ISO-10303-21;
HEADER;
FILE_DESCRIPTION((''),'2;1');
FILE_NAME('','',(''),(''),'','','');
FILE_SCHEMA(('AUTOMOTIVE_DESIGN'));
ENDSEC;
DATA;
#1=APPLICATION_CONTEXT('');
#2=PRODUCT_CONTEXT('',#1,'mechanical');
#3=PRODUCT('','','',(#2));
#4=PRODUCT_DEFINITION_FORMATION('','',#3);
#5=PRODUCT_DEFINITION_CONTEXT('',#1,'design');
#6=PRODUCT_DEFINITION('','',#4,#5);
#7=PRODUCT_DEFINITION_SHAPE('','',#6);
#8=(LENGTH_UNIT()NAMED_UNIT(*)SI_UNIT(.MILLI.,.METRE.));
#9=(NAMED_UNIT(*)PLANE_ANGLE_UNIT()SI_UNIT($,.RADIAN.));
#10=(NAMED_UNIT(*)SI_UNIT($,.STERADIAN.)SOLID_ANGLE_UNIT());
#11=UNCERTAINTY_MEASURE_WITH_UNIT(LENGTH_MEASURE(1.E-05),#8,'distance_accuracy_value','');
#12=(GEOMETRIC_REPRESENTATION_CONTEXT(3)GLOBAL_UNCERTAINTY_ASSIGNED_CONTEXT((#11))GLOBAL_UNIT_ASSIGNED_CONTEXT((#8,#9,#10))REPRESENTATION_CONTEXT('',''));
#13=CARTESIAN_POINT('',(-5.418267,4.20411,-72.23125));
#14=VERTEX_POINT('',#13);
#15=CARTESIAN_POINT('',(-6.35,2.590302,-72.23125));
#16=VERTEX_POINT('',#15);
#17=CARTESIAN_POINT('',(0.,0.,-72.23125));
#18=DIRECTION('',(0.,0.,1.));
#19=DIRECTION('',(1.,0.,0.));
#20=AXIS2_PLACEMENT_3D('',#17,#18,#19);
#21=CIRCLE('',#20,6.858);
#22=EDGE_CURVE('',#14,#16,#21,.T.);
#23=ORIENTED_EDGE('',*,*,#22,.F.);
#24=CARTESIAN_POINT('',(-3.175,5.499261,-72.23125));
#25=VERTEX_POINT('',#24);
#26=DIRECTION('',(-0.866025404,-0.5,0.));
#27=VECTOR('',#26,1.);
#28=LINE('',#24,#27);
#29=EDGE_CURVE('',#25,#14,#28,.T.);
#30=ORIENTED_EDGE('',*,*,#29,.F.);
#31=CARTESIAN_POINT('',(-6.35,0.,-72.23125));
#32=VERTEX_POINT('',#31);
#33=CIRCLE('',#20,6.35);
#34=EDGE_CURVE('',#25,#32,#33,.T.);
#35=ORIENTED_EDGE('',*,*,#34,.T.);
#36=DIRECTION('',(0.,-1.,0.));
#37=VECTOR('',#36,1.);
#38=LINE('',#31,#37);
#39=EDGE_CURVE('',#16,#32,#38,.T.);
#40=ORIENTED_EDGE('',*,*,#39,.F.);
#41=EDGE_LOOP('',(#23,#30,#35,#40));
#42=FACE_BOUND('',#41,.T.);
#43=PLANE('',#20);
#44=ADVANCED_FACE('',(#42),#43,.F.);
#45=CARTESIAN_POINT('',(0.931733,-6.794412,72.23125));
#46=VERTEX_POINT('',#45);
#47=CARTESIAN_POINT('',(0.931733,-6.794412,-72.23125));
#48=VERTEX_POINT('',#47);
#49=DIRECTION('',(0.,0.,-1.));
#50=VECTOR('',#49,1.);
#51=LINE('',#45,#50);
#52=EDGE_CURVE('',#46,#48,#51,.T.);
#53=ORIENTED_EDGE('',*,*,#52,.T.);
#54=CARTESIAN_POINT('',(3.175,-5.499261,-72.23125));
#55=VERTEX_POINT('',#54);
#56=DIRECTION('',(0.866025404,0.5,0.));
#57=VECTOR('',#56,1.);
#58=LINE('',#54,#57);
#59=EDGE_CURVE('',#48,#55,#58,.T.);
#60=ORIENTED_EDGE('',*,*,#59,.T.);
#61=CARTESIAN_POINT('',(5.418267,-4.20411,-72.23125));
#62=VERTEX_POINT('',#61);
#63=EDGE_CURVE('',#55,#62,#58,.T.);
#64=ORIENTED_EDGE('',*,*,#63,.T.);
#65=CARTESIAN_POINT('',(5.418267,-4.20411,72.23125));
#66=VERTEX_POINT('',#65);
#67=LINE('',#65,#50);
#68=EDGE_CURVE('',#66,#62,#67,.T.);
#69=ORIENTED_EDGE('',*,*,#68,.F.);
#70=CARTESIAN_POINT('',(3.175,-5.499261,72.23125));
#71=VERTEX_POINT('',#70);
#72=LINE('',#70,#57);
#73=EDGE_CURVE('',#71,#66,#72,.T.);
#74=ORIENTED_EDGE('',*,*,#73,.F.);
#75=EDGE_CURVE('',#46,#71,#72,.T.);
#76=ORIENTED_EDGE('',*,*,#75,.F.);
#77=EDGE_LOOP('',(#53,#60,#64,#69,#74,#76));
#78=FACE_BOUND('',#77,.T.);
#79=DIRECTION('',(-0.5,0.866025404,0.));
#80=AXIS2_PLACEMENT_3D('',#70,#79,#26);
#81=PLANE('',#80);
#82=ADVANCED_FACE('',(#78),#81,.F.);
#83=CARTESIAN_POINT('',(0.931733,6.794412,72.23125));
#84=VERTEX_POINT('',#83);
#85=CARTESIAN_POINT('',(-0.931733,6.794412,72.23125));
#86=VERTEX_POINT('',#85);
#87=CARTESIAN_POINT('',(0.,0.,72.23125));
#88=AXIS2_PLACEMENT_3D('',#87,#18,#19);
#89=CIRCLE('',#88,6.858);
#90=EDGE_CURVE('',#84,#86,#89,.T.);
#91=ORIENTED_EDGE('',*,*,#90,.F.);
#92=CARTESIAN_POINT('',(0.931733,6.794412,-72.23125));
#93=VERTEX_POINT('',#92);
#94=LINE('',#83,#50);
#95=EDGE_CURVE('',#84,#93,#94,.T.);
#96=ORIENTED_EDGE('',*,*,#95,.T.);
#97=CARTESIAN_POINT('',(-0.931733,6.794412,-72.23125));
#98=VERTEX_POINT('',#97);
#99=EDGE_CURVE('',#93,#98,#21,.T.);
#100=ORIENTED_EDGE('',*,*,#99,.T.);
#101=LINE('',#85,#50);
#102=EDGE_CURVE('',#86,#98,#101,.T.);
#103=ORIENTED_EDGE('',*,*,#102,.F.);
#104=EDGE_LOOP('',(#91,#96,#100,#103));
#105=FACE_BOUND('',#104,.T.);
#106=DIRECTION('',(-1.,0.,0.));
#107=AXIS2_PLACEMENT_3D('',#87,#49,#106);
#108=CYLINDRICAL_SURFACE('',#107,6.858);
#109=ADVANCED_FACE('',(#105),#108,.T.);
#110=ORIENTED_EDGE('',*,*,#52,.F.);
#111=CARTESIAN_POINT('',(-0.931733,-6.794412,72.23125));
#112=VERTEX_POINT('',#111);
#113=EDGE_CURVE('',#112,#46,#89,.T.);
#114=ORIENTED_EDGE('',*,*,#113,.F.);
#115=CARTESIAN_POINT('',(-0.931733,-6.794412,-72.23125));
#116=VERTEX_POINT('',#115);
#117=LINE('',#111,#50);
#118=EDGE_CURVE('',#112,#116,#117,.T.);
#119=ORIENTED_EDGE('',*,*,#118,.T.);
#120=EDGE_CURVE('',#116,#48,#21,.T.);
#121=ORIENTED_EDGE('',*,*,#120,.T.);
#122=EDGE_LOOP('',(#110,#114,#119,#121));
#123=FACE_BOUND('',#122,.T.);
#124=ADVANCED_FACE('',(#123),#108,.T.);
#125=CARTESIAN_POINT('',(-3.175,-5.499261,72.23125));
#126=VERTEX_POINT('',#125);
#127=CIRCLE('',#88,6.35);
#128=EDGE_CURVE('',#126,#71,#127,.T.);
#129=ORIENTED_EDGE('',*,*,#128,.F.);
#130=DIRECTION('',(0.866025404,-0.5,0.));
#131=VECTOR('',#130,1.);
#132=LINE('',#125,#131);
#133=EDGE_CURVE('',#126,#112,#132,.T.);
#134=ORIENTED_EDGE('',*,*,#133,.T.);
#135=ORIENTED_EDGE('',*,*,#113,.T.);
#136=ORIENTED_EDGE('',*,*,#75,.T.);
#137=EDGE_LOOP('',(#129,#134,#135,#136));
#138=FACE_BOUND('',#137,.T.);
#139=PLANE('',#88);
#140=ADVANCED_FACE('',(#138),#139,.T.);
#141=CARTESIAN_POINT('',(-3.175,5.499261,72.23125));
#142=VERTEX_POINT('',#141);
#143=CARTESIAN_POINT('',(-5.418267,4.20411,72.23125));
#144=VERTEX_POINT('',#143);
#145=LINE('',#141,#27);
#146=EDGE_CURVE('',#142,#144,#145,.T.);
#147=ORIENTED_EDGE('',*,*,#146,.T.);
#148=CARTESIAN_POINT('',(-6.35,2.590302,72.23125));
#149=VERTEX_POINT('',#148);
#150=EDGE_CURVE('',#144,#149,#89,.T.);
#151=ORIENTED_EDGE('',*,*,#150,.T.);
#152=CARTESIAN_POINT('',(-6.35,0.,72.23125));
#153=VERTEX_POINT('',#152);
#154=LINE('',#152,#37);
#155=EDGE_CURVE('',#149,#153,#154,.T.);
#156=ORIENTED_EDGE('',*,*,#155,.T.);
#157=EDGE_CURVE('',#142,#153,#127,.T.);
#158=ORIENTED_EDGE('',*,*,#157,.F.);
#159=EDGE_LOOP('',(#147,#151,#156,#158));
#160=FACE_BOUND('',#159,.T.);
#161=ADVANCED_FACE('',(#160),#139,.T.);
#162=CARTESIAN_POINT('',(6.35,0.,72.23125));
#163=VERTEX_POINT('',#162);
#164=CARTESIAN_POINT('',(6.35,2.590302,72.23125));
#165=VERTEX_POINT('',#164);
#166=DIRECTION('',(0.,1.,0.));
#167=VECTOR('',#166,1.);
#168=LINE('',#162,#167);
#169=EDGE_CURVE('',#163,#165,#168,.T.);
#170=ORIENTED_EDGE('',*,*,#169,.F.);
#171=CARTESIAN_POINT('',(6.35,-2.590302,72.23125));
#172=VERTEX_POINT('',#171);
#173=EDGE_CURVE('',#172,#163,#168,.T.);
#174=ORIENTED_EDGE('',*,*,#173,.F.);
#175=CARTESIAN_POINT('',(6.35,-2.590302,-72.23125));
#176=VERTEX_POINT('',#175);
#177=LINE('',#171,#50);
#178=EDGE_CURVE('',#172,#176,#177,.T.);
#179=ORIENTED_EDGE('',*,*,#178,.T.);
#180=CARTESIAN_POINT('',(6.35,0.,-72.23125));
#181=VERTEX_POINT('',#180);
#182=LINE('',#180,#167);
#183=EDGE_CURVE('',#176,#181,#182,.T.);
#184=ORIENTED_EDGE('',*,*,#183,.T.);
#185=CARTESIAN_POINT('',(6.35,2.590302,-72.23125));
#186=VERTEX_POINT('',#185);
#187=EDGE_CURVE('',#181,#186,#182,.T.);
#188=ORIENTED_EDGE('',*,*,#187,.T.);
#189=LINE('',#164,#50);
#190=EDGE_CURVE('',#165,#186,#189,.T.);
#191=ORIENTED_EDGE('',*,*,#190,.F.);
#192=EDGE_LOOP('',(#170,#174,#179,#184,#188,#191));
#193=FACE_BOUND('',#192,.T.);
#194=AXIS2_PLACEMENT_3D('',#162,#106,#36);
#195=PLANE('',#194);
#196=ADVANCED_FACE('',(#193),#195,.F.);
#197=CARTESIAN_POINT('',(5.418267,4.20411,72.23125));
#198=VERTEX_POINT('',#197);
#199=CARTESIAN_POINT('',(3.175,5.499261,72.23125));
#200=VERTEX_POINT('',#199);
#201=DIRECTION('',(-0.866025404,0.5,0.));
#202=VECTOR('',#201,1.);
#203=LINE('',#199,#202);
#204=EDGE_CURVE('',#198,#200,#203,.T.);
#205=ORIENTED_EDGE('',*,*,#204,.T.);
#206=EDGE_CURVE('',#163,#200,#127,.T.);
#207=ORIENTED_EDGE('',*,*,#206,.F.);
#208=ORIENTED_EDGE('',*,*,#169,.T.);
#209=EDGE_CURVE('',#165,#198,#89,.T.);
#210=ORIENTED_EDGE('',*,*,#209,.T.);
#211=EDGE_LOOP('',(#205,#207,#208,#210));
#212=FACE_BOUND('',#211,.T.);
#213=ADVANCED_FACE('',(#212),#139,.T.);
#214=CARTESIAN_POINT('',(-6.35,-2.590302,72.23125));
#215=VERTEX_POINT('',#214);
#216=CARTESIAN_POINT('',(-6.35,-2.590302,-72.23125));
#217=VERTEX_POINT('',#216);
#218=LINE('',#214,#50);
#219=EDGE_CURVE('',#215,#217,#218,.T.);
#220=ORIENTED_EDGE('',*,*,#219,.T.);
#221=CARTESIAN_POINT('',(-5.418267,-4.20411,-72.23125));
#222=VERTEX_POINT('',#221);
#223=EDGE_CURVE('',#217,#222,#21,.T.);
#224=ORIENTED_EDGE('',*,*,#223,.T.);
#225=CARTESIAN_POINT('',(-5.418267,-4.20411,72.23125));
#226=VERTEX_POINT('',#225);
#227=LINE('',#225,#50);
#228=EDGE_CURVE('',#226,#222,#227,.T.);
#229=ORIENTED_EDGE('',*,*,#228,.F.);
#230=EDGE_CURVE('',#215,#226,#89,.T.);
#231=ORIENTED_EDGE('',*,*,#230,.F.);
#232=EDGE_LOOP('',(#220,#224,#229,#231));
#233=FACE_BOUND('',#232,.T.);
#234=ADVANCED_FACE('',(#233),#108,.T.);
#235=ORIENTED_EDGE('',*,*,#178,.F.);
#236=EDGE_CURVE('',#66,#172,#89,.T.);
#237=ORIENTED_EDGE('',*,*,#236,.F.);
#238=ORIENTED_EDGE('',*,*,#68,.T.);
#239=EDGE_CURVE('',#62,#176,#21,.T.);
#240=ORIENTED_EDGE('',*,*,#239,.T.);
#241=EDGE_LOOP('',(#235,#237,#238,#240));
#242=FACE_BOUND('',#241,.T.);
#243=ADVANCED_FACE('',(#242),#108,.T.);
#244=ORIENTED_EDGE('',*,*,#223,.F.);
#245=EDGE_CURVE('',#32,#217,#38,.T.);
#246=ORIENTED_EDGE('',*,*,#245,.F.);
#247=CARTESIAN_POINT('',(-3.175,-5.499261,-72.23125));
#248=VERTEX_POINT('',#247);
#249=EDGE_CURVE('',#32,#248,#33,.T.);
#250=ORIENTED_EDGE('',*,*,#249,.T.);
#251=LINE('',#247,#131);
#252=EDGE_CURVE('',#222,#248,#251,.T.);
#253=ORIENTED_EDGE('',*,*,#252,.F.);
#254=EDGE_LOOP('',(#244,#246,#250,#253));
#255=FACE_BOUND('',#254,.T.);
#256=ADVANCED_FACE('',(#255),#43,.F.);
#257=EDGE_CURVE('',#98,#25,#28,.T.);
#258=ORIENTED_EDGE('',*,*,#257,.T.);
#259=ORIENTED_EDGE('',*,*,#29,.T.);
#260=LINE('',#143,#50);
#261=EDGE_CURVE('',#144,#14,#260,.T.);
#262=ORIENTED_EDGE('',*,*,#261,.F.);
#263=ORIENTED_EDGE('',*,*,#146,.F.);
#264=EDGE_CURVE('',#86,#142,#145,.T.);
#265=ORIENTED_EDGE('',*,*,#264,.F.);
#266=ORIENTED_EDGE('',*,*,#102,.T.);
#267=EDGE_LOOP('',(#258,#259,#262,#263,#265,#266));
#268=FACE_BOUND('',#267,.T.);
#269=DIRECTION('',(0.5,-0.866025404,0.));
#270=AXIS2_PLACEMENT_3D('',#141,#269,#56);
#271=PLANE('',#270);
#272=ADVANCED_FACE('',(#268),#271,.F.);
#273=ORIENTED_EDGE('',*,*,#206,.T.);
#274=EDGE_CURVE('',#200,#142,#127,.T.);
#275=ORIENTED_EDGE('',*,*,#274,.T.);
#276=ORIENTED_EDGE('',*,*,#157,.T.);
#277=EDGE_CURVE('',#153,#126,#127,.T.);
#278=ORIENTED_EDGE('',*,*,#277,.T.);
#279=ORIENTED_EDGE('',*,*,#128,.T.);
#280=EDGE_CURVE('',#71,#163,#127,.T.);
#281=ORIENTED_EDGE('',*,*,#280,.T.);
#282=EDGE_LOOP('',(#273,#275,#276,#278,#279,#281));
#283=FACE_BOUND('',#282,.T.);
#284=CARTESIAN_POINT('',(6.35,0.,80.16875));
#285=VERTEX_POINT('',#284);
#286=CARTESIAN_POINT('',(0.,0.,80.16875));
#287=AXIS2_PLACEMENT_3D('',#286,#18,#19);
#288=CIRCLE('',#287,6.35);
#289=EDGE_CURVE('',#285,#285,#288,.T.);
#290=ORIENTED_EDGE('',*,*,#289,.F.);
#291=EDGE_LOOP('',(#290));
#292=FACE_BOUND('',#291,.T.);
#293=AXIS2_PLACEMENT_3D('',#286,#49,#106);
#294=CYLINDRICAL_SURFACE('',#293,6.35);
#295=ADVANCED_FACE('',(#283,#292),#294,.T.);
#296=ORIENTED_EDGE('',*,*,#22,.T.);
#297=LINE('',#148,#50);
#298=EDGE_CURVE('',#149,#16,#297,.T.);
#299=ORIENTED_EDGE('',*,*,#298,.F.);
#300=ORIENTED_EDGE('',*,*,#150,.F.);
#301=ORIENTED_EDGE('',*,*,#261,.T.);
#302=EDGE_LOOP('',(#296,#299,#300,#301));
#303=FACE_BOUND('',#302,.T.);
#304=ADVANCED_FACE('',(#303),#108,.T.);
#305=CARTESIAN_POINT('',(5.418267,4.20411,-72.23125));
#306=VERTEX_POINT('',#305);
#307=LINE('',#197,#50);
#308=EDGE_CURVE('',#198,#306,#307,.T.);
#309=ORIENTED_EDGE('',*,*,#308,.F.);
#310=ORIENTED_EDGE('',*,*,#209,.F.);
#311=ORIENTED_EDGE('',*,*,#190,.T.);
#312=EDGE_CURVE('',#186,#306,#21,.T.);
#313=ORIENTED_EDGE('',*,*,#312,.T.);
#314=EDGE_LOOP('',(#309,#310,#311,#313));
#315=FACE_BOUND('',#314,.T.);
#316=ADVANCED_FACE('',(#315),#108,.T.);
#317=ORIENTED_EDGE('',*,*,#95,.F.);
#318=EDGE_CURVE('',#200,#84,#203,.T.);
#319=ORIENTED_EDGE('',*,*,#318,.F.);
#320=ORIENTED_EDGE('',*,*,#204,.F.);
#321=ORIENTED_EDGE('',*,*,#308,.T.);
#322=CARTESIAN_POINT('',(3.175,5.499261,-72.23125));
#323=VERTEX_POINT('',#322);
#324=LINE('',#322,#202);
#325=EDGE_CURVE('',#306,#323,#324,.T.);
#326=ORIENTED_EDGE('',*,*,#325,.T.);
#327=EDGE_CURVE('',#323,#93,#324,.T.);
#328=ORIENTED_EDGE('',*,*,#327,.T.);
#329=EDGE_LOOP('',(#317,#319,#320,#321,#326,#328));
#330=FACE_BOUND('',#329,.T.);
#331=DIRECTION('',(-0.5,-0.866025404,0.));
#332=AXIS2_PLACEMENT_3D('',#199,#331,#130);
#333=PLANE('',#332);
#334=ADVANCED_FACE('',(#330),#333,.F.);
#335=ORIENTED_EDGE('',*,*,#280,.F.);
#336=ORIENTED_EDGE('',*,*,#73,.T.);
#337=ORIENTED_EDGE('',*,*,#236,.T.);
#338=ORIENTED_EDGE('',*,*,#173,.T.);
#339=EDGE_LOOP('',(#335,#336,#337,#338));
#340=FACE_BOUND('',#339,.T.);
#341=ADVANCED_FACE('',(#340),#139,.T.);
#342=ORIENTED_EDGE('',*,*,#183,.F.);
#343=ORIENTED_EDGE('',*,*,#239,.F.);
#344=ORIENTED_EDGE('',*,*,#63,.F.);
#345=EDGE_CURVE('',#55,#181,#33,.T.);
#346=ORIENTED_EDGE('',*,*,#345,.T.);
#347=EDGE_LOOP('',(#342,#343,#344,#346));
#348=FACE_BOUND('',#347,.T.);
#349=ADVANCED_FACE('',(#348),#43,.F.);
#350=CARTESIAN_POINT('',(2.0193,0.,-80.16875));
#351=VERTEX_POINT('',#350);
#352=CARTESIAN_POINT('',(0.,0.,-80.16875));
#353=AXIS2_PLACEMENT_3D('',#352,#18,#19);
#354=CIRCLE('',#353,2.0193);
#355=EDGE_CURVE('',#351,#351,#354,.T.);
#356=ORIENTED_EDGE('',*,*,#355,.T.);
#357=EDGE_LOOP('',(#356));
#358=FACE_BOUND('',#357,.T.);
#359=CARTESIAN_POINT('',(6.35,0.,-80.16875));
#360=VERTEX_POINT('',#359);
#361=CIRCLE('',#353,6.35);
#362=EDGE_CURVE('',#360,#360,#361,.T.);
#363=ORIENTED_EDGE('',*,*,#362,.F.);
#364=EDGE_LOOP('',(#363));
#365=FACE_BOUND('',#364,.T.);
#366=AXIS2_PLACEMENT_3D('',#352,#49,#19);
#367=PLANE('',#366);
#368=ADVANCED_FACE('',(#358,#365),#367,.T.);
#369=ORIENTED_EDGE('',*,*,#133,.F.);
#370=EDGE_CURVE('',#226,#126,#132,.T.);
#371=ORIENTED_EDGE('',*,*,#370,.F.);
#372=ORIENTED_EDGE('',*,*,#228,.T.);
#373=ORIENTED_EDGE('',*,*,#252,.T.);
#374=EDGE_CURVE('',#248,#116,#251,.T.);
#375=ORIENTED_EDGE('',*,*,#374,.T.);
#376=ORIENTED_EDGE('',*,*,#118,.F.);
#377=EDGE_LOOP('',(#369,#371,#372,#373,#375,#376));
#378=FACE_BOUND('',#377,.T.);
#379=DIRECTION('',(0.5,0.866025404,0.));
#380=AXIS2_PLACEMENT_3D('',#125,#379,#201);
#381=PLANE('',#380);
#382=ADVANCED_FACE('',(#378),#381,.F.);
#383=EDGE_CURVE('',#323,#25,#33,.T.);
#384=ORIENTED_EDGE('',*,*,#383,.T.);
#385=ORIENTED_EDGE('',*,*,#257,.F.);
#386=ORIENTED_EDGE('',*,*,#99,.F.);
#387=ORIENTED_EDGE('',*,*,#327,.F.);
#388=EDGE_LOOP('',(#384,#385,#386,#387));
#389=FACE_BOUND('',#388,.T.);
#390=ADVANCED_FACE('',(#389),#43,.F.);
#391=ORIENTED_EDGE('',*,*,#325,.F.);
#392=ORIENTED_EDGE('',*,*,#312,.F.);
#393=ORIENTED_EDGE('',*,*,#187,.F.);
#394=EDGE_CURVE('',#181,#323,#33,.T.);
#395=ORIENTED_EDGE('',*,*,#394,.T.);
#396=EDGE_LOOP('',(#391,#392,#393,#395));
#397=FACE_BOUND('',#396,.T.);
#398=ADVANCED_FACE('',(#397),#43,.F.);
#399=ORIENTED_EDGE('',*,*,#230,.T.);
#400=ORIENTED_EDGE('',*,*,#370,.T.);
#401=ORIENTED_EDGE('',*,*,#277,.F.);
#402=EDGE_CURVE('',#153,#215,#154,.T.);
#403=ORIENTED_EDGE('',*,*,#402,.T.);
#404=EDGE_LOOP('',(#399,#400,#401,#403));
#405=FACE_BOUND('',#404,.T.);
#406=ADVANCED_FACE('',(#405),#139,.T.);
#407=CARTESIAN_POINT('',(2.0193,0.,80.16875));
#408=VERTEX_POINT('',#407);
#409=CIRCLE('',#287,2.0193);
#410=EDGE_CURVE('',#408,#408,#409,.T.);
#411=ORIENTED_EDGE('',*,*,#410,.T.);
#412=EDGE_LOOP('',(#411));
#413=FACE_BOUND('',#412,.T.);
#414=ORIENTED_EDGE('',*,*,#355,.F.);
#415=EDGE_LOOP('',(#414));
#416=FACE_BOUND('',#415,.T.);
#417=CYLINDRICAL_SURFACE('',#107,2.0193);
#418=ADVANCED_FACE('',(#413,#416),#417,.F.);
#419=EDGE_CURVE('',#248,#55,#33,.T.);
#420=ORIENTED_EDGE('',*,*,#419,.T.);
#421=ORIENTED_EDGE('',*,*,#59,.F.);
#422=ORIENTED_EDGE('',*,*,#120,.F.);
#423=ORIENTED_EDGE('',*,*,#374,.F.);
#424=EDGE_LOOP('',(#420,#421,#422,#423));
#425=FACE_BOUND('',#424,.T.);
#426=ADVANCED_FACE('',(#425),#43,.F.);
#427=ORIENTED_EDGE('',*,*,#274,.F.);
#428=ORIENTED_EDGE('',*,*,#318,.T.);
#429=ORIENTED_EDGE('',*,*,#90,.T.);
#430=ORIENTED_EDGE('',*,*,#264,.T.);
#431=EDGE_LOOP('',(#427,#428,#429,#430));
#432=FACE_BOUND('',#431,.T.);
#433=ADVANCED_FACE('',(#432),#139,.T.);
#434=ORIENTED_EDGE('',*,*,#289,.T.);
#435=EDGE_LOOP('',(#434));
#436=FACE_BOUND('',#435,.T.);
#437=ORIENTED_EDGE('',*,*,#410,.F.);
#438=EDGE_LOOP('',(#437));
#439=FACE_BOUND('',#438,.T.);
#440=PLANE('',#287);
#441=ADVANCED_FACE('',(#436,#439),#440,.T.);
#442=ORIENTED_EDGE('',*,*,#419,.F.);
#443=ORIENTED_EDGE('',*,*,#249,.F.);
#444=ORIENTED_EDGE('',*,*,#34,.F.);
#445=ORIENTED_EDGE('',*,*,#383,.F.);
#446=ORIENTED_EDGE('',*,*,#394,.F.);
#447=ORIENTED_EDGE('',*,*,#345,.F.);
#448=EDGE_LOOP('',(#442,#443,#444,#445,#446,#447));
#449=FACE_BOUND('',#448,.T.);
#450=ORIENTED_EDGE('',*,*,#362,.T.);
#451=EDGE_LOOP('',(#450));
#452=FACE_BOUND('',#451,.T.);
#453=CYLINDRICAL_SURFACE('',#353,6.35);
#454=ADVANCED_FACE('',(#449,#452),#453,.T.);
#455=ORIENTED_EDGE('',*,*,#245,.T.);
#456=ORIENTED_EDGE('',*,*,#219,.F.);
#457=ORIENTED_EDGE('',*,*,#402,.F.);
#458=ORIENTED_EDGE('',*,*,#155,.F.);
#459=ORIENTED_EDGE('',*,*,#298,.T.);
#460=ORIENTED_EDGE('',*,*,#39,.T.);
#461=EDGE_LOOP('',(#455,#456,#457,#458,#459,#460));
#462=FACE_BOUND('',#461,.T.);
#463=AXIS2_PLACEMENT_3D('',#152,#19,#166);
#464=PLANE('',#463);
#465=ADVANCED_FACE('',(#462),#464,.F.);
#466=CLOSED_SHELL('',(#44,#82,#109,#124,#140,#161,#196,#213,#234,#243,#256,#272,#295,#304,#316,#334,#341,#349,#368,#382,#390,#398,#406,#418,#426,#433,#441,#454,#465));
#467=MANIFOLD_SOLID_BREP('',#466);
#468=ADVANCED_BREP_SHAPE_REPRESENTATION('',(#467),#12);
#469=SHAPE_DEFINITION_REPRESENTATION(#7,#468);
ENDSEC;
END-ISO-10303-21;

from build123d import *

# Parameters (mm, degrees)
SKETCH1_R           = 2.0193
BOSS_EXTRUDE1_DEPTH = 72.23125
SKETCH2_R           = 6.35
SKETCH2_R_2         = 2.0193
BOSS_EXTRUDE2_DEPTH = 7.9375


with BuildPart() as part:
    # Sketch1 → Boss-Extrude1 (new, symmetric)
    with BuildSketch(Plane.XY):
        with BuildLine():
            ThreePointArc((0.93173274, 6.79441227), (0, 6.858), (-0.93173274, 6.79441227))
            Line((-0.93173274, 6.79441227), (-5.41826726, 4.204110358))
            ThreePointArc((-5.41826726, 4.204110358), (-5.939202219, 3.429), (-6.35, 2.590301913))
            Line((-6.35, 2.590301913), (-6.35, -2.590301913))
            ThreePointArc((-6.35, -2.590301913), (-5.939202219, -3.429), (-5.41826726, -4.204110358))
            Line((-5.41826726, -4.204110358), (-0.93173274, -6.79441227))
            ThreePointArc((-0.93173274, -6.79441227), (0, -6.858), (0.93173274, -6.79441227))
            Line((0.93173274, -6.79441227), (5.41826726, -4.204110358))
            ThreePointArc((5.41826726, -4.204110358), (5.939202219, -3.429), (6.35, -2.590301913))
            Line((6.35, -2.590301913), (6.35, 2.590301913))
            ThreePointArc((6.35, 2.590301913), (5.939202219, 3.429), (5.41826726, 4.204110358))
            Line((5.41826726, 4.204110358), (0.93173274, 6.79441227))
        make_face()
        Circle(SKETCH1_R, mode=Mode.SUBTRACT)
    extrude(amount=BOSS_EXTRUDE1_DEPTH, both=True)

    # Sketch2 → Boss-Extrude2 (add)
    with BuildSketch(Plane.XY.offset(72.23125)):
        Circle(SKETCH2_R)
        Circle(SKETCH2_R_2, mode=Mode.SUBTRACT)
    boss_extrude2 = extrude(amount=BOSS_EXTRUDE2_DEPTH)

    # Mirror1: Boss-Extrude2 across plane
    add(boss_extrude2.mirror(Plane.XY))


solid = part.part
